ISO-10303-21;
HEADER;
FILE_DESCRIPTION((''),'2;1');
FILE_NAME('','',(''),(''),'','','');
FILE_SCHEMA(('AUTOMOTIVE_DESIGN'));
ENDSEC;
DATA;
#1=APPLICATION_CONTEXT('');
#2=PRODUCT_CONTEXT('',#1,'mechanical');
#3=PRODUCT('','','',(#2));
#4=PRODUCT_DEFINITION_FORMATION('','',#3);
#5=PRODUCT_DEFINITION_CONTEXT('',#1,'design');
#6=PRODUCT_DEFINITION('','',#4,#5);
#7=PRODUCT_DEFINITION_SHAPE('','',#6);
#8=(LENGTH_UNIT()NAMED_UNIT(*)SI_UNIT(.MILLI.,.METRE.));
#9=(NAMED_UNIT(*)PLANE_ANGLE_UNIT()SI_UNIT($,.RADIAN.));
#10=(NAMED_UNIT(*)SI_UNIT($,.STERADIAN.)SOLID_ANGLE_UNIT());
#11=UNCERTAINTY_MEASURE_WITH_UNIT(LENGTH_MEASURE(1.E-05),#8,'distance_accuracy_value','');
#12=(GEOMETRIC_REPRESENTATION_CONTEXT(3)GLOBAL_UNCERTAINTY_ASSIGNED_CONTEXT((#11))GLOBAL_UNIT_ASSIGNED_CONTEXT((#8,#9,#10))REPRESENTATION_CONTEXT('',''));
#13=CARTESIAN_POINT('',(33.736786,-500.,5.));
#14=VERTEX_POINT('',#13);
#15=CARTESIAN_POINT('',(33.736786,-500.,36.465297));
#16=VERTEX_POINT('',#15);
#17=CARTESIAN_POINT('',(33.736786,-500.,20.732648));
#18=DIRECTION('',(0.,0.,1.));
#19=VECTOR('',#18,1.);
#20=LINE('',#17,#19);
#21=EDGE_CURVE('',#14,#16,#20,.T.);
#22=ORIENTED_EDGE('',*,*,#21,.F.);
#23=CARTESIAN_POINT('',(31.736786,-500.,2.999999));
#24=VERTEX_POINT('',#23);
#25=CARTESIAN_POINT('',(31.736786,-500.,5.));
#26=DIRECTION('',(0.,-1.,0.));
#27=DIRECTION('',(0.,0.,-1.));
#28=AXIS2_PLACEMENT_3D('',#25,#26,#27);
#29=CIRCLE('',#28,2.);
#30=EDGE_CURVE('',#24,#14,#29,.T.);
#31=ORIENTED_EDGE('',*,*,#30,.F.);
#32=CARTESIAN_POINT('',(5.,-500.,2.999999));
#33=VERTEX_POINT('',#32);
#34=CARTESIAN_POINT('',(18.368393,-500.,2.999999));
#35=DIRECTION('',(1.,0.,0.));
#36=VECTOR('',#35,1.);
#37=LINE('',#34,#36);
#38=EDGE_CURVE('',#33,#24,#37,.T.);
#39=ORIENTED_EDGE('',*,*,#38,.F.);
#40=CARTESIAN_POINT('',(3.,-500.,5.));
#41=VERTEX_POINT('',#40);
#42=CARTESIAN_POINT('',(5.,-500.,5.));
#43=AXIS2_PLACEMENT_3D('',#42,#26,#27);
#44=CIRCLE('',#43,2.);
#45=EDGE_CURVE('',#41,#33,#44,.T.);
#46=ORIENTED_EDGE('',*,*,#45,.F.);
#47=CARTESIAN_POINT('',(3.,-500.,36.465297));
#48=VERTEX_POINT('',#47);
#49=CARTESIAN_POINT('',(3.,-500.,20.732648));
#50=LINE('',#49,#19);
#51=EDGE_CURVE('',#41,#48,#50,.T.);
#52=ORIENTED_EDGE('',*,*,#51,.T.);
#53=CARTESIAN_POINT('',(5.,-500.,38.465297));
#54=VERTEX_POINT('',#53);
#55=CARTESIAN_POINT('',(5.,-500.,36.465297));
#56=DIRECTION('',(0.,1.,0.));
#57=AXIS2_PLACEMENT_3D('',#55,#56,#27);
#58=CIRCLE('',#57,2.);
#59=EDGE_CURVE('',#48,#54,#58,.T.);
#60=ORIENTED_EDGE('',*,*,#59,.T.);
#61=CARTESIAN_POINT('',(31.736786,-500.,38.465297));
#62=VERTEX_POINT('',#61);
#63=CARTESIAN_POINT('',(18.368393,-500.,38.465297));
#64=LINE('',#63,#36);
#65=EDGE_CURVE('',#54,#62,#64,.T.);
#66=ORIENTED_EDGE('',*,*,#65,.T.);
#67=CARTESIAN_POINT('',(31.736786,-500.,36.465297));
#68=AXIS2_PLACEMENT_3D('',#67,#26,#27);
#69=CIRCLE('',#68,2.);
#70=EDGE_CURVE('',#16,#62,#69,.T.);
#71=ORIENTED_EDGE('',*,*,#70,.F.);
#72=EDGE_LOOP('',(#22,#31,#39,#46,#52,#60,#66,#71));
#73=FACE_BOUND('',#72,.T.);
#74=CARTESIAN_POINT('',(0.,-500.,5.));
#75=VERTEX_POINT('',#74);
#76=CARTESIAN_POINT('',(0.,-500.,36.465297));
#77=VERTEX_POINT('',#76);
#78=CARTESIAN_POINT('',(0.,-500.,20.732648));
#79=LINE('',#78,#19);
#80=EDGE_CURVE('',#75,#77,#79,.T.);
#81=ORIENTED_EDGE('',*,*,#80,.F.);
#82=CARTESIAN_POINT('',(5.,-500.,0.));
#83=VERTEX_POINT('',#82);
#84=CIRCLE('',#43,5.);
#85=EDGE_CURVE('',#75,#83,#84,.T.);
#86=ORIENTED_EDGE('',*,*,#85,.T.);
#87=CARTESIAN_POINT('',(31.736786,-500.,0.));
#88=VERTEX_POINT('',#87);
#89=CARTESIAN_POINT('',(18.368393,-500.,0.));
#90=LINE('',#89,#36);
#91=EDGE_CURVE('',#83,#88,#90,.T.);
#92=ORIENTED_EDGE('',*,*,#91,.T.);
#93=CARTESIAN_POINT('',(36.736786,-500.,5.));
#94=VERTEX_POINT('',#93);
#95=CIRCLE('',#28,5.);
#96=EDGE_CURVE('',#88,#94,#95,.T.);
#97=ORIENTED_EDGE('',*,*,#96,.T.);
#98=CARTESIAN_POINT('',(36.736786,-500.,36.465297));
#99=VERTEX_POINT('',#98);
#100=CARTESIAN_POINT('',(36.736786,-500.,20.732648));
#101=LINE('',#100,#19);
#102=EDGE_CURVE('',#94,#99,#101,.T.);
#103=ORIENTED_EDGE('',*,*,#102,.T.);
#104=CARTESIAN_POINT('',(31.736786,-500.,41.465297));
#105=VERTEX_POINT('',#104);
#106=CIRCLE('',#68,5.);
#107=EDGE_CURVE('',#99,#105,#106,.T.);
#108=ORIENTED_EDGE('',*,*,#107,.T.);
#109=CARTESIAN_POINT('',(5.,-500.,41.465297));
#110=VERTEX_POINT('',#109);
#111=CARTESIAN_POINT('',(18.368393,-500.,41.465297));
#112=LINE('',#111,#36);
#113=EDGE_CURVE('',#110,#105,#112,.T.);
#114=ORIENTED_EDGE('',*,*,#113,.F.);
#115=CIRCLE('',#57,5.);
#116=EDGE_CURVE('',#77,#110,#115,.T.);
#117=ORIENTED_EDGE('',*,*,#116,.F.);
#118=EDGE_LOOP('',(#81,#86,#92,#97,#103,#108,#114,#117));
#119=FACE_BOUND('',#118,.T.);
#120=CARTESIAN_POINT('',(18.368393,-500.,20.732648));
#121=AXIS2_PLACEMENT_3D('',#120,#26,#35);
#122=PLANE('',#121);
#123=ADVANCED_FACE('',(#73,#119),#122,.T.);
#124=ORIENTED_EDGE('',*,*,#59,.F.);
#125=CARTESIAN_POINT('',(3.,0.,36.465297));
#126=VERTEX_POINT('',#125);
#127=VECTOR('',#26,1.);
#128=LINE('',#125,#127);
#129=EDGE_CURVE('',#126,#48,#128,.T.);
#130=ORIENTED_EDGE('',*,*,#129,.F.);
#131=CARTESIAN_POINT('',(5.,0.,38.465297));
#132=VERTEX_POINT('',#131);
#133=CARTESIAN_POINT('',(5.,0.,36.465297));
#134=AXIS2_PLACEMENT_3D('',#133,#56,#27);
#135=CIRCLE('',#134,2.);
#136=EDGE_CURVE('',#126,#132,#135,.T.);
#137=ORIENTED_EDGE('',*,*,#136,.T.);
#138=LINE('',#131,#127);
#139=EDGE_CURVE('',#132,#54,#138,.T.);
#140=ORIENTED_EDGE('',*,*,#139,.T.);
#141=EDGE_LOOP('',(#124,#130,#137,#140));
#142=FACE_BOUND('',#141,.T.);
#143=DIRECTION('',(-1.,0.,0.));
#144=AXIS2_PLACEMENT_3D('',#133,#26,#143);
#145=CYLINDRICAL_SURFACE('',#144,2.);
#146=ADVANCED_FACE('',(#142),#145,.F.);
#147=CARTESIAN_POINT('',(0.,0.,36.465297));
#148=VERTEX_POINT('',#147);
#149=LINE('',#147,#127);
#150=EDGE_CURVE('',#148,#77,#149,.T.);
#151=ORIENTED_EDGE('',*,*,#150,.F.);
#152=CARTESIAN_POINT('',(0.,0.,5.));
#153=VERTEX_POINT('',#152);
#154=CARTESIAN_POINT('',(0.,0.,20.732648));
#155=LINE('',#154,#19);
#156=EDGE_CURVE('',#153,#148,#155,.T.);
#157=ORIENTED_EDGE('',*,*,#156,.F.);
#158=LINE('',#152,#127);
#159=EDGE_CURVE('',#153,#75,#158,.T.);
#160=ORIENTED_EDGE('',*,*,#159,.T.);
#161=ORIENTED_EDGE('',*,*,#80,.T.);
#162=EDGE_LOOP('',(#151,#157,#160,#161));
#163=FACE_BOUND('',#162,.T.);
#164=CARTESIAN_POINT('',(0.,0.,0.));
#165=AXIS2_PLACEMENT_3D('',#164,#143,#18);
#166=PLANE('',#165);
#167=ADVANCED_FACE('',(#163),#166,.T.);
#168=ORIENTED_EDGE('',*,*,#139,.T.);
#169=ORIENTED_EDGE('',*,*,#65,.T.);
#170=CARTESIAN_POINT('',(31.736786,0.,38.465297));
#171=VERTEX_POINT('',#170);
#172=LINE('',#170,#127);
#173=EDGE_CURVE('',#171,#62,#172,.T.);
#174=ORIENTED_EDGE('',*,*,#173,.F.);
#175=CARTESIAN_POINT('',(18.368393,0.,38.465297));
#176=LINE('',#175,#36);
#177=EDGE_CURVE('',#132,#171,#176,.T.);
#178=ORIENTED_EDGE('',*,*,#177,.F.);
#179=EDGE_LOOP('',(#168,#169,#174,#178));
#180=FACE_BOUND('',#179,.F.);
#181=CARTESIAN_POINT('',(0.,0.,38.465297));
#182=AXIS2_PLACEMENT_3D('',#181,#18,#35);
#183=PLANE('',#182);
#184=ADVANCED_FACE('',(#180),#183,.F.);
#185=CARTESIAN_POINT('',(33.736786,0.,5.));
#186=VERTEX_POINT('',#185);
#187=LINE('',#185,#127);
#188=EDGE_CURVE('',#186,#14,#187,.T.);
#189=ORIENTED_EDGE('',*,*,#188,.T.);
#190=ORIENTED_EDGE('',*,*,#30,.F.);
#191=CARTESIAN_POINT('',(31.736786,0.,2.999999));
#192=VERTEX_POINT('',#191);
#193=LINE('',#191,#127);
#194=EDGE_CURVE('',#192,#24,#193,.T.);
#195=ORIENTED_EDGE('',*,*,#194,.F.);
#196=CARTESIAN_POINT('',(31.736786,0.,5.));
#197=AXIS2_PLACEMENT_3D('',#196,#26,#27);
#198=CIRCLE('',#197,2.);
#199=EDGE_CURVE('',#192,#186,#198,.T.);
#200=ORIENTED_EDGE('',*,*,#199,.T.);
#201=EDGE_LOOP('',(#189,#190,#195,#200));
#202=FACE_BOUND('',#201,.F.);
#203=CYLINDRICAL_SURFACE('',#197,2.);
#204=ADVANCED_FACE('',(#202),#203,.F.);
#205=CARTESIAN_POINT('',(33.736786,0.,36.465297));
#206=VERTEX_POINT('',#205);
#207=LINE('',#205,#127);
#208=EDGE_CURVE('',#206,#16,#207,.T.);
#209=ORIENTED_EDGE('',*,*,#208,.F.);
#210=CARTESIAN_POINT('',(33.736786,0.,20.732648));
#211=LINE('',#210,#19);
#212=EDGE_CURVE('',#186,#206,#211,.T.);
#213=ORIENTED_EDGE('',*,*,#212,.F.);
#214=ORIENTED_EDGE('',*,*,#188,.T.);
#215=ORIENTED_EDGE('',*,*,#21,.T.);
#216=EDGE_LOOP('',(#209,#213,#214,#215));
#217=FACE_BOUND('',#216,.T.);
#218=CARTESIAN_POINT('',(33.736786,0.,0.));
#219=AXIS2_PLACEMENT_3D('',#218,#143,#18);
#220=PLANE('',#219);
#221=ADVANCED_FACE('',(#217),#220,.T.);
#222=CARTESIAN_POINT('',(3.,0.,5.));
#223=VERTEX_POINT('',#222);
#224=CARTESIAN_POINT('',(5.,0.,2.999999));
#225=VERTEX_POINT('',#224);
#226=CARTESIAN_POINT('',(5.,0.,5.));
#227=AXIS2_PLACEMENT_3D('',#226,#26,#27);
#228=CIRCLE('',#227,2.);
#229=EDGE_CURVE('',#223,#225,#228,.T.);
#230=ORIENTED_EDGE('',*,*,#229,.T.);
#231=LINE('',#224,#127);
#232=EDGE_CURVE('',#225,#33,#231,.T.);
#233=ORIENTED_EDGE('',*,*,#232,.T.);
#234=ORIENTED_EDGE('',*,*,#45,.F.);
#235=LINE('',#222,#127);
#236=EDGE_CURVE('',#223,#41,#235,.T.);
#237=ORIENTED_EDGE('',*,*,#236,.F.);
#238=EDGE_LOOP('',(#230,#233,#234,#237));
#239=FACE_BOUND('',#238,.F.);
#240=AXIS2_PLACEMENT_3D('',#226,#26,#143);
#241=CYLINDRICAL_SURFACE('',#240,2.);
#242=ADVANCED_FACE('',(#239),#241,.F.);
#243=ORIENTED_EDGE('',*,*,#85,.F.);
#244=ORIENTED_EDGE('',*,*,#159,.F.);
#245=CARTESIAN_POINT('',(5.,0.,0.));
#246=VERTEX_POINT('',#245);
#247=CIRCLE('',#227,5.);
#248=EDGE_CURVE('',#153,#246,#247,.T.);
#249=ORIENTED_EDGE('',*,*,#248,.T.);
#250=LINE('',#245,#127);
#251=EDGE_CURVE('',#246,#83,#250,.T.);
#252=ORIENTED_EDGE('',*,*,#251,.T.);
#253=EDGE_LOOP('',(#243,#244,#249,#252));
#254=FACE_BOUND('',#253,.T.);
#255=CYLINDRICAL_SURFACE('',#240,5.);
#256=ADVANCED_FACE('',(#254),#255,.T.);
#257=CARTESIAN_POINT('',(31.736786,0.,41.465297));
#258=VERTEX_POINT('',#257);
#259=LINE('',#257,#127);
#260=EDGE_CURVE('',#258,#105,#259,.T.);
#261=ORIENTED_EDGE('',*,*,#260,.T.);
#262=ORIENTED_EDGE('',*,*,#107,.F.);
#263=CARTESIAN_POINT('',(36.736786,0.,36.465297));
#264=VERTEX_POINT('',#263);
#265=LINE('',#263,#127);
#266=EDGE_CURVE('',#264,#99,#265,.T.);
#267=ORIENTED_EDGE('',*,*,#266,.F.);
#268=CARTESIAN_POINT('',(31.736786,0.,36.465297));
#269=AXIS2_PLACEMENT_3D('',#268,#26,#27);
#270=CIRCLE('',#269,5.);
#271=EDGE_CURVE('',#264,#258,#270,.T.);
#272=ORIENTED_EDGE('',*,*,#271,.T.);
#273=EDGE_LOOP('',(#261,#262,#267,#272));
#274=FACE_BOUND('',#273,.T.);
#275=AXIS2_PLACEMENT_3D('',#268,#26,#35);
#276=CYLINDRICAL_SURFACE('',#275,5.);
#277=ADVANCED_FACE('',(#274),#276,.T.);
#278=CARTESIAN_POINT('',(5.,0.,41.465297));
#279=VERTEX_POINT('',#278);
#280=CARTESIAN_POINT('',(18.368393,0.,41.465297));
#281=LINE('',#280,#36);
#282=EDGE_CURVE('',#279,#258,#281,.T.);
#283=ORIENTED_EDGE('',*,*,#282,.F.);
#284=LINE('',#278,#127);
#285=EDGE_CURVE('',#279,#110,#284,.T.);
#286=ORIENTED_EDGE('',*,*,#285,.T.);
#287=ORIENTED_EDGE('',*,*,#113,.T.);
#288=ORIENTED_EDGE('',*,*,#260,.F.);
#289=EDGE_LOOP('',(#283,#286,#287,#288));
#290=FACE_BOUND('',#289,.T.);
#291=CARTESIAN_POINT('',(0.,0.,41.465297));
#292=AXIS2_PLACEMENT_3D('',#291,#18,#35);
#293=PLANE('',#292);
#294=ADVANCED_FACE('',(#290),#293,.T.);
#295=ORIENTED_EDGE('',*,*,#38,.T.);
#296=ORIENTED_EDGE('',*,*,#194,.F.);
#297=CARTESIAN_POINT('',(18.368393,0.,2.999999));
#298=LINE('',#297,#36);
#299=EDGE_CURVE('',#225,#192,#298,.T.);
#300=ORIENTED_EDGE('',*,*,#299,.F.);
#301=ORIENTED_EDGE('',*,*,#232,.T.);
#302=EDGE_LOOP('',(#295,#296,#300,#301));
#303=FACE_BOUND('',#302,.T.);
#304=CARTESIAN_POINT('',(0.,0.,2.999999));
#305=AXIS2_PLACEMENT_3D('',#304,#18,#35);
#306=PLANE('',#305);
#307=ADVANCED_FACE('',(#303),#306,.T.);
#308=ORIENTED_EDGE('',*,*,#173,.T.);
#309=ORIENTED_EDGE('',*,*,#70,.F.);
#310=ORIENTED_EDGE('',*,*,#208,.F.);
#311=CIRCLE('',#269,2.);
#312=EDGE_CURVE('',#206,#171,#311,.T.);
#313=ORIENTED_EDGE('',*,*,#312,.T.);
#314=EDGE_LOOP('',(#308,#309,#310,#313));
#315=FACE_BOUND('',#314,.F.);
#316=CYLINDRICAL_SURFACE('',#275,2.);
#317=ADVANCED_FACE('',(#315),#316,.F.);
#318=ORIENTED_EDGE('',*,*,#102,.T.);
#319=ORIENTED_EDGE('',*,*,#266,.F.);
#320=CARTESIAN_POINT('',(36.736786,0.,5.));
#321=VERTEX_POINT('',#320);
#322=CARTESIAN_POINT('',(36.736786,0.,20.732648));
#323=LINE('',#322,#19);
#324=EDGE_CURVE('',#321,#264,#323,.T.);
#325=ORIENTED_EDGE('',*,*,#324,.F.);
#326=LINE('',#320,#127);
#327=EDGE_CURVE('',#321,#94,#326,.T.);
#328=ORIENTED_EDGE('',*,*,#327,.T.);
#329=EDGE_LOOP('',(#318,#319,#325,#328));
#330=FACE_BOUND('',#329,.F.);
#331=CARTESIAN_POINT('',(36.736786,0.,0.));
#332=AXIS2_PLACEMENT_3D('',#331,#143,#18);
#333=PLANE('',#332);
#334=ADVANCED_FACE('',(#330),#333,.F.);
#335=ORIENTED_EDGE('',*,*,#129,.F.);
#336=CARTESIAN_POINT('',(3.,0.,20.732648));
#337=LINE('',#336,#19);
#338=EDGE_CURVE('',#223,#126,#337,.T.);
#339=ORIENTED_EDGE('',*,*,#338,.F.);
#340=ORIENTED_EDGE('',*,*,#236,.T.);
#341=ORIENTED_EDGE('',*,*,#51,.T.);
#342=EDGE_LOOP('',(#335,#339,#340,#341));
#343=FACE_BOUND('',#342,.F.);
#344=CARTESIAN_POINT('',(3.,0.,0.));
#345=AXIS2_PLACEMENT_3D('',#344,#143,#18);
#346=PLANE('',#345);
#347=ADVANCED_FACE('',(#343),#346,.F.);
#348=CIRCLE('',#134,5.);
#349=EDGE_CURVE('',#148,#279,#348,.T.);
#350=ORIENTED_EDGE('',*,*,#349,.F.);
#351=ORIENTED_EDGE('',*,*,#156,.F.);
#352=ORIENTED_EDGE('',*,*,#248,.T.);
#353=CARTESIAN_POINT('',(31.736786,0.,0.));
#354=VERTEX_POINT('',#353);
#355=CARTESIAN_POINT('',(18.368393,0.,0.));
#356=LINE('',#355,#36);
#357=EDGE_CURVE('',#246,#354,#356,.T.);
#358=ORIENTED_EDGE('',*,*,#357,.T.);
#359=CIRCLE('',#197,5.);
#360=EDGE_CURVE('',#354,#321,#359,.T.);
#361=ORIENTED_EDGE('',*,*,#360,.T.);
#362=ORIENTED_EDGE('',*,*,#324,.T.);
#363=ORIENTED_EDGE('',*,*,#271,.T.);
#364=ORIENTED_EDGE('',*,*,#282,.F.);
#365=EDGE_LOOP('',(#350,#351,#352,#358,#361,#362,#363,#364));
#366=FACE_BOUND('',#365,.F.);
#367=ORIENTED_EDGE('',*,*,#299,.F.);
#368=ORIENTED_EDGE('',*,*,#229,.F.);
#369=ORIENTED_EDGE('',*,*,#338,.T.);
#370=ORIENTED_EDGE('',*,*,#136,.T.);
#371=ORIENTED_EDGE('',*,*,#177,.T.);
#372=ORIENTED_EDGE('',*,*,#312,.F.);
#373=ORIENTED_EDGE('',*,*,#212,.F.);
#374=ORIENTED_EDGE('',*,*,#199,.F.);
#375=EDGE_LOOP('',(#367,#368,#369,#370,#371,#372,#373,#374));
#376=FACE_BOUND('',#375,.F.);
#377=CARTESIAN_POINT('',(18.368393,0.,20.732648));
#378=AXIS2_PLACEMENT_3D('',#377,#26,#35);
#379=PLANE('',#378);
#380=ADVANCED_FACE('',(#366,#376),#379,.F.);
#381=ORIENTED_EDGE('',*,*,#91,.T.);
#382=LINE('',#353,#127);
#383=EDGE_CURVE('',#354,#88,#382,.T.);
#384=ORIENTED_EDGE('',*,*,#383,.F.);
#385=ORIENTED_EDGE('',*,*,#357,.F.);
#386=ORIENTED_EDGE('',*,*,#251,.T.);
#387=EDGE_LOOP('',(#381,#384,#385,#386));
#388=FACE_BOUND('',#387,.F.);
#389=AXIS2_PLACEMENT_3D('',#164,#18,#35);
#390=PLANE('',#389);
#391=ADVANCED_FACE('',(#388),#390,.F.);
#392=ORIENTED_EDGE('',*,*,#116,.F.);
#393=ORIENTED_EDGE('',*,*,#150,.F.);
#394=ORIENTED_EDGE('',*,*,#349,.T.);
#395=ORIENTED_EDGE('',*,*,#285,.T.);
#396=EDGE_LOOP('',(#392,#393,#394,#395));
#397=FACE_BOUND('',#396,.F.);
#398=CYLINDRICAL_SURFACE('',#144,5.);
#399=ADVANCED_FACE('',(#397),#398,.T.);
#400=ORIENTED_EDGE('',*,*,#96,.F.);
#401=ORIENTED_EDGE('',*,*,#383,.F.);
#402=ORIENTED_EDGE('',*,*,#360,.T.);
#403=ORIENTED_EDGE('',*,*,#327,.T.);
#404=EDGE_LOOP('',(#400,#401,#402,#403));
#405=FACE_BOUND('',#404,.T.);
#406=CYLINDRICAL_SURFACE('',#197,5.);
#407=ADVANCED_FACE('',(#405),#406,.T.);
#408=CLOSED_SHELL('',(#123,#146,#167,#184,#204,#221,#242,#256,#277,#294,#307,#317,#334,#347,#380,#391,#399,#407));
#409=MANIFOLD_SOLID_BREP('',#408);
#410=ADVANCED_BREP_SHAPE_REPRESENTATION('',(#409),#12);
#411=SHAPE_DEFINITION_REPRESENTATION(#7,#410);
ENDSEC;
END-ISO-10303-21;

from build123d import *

# Parameters (mm, degrees)
F0_W     = 36.736786
F0_H     = 41.465297
F1_DEPTH = 500
F2_R     = 5
F3_T     = -3


with BuildPart() as f1:
    # F0 (on Front) → F1 (new body)
    with BuildSketch(Plane.XZ):
        with Locations((18.368393, 20.732648)):
            Rectangle(F0_W, F0_H)
    extrude(amount=F1_DEPTH)

    # F2
    f2_edges = [f1.edges().sort_by_distance(p)[0] for p in [
        (36.736786, -250, 41.465297),
        (0, -250, 41.465297),
        (36.736786, -250, 0),
        (0, -250, 0),
    ]]
    fillet(f2_edges, radius=F2_R)

    # F3
    f3_openings = [f1.faces().sort_by_distance(p)[0] for p in [
        (18.368393, -500, 20.732649),
        (18.368393, 0, 20.732649),
    ]]
    offset(amount=F3_T, openings=f3_openings)


solid = f1.part
